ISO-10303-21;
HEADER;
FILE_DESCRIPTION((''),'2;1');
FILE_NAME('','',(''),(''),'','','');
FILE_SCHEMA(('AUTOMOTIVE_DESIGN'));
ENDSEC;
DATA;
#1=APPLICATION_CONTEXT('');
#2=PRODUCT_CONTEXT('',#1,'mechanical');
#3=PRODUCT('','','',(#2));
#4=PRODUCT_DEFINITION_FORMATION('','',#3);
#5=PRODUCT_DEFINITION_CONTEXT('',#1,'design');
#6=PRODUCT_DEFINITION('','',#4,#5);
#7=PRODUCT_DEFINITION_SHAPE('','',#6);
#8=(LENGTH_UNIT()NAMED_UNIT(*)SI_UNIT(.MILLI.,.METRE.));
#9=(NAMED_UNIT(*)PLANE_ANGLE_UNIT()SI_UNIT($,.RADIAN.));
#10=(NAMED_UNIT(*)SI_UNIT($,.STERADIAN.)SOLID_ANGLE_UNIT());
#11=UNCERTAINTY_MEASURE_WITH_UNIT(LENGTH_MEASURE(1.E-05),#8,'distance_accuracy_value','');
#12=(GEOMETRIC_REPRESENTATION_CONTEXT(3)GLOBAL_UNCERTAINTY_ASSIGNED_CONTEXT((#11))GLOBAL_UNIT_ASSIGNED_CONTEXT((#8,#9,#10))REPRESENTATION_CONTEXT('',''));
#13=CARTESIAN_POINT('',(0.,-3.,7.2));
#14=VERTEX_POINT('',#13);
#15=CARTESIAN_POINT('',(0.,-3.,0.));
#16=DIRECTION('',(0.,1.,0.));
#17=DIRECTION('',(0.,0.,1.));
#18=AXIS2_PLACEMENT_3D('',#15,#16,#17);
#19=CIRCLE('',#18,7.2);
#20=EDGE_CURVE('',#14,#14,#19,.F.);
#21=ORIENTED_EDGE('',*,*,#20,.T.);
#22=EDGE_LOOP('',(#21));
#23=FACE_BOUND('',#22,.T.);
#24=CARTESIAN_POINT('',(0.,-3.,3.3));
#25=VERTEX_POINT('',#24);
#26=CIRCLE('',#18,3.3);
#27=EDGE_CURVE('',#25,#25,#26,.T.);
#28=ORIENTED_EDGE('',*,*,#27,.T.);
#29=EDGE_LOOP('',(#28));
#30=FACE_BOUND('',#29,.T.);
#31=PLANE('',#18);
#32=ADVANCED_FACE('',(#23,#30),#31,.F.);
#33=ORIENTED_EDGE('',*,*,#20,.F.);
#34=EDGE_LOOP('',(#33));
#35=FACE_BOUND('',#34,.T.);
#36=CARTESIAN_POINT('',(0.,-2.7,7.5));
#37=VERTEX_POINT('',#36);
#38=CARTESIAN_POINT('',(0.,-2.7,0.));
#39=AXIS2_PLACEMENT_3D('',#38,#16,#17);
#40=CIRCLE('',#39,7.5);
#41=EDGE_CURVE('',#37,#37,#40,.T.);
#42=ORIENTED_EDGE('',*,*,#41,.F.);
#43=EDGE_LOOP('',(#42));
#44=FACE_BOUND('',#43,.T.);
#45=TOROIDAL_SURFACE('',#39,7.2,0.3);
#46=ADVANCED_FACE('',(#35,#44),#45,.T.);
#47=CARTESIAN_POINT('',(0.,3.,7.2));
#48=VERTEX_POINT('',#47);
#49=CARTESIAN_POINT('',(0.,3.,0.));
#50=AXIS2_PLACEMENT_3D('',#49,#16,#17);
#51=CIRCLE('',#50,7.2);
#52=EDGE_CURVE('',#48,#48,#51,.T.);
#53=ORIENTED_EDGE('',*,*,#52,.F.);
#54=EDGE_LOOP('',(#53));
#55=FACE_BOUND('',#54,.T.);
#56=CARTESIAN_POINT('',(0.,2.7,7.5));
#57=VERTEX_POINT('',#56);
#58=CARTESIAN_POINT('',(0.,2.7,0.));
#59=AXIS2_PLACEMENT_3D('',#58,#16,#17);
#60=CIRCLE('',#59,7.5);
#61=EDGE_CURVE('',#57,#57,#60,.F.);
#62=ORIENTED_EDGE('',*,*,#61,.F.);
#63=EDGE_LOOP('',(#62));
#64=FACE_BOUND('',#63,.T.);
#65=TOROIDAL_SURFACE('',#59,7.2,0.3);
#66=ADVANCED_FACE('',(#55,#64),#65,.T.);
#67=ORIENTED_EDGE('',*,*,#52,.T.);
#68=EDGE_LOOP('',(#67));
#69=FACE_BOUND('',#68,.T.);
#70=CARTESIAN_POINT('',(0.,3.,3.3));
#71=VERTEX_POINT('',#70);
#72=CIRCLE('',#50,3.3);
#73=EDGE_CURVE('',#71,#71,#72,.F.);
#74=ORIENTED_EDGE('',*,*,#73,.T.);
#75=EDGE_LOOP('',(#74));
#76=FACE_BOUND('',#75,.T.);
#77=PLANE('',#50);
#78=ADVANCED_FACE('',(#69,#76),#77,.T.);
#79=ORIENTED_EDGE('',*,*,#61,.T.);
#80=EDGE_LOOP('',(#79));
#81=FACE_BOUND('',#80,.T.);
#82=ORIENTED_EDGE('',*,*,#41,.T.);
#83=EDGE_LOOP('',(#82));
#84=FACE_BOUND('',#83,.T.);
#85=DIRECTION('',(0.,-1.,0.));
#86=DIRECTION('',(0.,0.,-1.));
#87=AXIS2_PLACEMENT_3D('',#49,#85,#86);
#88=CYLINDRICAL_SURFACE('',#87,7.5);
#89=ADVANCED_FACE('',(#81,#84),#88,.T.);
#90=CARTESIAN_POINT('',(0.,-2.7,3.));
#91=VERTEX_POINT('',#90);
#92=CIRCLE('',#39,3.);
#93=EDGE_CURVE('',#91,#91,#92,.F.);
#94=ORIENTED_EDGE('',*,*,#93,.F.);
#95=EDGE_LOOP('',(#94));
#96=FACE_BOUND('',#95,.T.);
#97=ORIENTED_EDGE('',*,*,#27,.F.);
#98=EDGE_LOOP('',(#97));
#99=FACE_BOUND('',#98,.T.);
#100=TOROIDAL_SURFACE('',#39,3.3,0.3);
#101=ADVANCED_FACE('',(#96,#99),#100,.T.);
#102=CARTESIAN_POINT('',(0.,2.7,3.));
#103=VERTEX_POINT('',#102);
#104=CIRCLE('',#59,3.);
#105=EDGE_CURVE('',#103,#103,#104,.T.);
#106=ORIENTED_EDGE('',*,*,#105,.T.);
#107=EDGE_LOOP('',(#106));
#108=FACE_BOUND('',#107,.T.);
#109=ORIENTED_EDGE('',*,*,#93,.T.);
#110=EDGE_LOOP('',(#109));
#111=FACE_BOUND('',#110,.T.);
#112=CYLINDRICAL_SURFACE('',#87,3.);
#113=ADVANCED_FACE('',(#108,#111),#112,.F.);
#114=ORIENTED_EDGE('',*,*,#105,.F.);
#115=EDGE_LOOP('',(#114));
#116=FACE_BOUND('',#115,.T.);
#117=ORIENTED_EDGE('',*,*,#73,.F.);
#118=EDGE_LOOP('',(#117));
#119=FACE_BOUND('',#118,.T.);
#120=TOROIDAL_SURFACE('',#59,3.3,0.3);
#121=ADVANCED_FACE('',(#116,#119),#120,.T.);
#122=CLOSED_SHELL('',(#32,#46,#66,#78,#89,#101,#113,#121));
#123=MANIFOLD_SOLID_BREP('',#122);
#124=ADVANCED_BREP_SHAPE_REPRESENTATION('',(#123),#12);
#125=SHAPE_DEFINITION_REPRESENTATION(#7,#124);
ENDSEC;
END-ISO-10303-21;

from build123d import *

# Parameters (mm, degrees)
SKETCH1_R           = 7.5
SKETCH1_R_2         = 3
BOSS_EXTRUDE1_DEPTH = 3
FILLET1_R           = 0.3


with BuildPart() as part:
    # Sketch1 → Boss-Extrude1 (new body, symmetric)
    with BuildSketch(Plane(origin=(0, 0, 0), x_dir=(1, 0, 0), z_dir=(0, 1, 0))):
        Circle(SKETCH1_R)
        Circle(SKETCH1_R_2, mode=Mode.SUBTRACT)
    extrude(amount=BOSS_EXTRUDE1_DEPTH, both=True)

    # Fillet1
    fillet1_edges = [part.edges().sort_by_distance(p)[0] for p in [
        (-7.5, -3, 0),
        (-7.5, 3, 0),
        (-3, -3, 0),
        (-3, 3, 0),
    ]]
    fillet(fillet1_edges, radius=FILLET1_R)


solid = part.part
